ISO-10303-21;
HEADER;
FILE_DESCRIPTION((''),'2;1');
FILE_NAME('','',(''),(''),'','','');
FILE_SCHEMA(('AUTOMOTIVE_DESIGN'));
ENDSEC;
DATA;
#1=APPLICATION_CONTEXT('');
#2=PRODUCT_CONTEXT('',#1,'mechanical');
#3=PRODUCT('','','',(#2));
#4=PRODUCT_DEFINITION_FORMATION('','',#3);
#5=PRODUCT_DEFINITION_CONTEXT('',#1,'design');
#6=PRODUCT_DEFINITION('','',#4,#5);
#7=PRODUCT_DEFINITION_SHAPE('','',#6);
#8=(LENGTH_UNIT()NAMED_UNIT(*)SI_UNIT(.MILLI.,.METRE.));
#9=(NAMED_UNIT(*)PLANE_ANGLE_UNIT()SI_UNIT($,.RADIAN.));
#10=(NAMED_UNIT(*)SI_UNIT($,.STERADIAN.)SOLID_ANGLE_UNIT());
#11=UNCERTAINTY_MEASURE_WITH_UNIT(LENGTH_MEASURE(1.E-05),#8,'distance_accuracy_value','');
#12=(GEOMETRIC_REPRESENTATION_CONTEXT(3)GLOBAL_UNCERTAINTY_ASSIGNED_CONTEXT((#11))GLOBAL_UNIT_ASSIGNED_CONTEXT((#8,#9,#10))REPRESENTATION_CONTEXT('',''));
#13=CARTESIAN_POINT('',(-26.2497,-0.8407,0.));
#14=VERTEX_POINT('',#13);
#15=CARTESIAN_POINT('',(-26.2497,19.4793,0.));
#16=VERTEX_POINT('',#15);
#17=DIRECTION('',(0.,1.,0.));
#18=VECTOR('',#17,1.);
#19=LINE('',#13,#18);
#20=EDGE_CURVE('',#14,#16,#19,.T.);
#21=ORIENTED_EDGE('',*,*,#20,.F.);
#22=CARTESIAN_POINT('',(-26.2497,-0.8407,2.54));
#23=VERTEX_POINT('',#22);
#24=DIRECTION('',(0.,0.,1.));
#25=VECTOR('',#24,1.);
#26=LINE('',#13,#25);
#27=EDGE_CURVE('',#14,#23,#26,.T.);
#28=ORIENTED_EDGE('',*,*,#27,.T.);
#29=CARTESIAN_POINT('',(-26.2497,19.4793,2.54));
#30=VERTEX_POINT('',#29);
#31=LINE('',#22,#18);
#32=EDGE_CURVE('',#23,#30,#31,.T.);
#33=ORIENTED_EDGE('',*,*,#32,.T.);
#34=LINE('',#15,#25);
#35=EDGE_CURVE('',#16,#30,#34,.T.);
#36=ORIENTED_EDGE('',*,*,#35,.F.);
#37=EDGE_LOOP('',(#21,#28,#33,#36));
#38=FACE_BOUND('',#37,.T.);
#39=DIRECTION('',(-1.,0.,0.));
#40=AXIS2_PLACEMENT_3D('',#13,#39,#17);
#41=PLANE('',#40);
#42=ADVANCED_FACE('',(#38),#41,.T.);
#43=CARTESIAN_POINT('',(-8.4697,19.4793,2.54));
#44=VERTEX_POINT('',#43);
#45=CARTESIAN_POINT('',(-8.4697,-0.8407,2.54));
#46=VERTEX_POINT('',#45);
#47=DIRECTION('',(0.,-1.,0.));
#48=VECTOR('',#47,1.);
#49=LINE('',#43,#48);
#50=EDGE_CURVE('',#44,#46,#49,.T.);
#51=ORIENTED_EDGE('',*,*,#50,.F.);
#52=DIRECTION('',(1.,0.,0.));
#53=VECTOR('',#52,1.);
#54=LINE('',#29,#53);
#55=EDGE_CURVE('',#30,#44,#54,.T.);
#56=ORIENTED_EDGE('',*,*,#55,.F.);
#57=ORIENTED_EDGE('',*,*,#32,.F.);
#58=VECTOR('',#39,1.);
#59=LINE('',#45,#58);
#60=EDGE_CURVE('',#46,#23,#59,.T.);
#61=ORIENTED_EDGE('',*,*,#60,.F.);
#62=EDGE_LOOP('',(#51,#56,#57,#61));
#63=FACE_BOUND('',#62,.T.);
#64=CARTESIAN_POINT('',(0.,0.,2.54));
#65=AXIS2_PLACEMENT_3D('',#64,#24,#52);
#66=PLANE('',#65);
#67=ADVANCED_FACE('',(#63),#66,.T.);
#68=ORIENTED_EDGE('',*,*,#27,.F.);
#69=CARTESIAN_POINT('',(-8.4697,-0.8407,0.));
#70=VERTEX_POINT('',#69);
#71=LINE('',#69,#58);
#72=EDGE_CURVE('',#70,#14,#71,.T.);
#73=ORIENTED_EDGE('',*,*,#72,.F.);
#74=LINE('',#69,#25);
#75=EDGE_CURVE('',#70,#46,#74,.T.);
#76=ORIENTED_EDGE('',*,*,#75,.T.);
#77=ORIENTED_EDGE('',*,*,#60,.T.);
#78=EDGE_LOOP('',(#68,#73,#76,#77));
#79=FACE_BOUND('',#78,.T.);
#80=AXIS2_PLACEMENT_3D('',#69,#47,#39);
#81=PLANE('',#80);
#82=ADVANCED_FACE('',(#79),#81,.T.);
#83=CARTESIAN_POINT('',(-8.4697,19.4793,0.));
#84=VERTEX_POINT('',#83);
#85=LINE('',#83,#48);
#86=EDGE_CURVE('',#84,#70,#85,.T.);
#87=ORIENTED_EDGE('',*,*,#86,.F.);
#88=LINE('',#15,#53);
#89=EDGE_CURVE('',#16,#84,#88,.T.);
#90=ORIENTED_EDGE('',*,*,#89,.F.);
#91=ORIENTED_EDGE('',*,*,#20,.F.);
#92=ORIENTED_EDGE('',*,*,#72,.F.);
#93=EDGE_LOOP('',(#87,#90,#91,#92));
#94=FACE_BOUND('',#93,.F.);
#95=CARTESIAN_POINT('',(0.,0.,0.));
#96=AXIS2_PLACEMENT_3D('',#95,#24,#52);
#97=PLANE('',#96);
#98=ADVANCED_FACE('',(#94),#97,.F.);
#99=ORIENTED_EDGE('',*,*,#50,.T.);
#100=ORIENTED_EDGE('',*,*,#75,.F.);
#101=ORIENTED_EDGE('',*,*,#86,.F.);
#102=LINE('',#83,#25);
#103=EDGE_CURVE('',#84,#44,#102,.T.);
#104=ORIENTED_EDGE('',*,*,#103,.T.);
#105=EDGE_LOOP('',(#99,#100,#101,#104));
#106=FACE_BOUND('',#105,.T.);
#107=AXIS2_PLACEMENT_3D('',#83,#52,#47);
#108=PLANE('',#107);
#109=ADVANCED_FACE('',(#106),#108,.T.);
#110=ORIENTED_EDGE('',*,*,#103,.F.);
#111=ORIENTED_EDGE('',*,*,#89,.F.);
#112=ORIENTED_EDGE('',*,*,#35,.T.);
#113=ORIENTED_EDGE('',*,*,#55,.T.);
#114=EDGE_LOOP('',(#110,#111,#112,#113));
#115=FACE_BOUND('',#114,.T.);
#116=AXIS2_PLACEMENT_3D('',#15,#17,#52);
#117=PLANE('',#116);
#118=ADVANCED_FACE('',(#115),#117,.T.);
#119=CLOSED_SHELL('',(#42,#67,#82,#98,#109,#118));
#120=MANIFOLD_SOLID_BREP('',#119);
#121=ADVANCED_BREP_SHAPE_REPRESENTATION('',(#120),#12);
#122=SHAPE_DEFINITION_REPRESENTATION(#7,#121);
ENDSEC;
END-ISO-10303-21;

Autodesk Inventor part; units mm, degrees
ref_plane "YZ Plane" through (0, 0, 0) normal (1, 0, 0) x (0, 1, 0)
ref_plane "XZ Plane" through (0, 0, 0) normal (0, 1, 0) x (-1, 0, 0)
ref_plane "XY Plane" through (0, 0, 0) normal (0, 0, 1) x (1, 0, 0)
sketch "Sketch1" plane through (0, 0, 0) normal (0, 0, 1) x (1, 0, 0)
  line L0 (-26.2497, 19.4793) -> (-8.4697, 19.4793)
  line L1 (-8.4697, 19.4793) -> (-8.4697, -0.8407)
  line L2 (-8.4697, -0.8407) -> (-26.2497, -0.8407)
  line L3 (-26.2497, -0.8407) -> (-26.2497, 19.4793)
  point P0 (0, 0)
  dimension "d0" = 17.78
  dimension "d1" = 20.32
extrude "Extrusion1" add sketch "Sketch1" along normal blind 2.54
properties part number "ToF Sensor7"
